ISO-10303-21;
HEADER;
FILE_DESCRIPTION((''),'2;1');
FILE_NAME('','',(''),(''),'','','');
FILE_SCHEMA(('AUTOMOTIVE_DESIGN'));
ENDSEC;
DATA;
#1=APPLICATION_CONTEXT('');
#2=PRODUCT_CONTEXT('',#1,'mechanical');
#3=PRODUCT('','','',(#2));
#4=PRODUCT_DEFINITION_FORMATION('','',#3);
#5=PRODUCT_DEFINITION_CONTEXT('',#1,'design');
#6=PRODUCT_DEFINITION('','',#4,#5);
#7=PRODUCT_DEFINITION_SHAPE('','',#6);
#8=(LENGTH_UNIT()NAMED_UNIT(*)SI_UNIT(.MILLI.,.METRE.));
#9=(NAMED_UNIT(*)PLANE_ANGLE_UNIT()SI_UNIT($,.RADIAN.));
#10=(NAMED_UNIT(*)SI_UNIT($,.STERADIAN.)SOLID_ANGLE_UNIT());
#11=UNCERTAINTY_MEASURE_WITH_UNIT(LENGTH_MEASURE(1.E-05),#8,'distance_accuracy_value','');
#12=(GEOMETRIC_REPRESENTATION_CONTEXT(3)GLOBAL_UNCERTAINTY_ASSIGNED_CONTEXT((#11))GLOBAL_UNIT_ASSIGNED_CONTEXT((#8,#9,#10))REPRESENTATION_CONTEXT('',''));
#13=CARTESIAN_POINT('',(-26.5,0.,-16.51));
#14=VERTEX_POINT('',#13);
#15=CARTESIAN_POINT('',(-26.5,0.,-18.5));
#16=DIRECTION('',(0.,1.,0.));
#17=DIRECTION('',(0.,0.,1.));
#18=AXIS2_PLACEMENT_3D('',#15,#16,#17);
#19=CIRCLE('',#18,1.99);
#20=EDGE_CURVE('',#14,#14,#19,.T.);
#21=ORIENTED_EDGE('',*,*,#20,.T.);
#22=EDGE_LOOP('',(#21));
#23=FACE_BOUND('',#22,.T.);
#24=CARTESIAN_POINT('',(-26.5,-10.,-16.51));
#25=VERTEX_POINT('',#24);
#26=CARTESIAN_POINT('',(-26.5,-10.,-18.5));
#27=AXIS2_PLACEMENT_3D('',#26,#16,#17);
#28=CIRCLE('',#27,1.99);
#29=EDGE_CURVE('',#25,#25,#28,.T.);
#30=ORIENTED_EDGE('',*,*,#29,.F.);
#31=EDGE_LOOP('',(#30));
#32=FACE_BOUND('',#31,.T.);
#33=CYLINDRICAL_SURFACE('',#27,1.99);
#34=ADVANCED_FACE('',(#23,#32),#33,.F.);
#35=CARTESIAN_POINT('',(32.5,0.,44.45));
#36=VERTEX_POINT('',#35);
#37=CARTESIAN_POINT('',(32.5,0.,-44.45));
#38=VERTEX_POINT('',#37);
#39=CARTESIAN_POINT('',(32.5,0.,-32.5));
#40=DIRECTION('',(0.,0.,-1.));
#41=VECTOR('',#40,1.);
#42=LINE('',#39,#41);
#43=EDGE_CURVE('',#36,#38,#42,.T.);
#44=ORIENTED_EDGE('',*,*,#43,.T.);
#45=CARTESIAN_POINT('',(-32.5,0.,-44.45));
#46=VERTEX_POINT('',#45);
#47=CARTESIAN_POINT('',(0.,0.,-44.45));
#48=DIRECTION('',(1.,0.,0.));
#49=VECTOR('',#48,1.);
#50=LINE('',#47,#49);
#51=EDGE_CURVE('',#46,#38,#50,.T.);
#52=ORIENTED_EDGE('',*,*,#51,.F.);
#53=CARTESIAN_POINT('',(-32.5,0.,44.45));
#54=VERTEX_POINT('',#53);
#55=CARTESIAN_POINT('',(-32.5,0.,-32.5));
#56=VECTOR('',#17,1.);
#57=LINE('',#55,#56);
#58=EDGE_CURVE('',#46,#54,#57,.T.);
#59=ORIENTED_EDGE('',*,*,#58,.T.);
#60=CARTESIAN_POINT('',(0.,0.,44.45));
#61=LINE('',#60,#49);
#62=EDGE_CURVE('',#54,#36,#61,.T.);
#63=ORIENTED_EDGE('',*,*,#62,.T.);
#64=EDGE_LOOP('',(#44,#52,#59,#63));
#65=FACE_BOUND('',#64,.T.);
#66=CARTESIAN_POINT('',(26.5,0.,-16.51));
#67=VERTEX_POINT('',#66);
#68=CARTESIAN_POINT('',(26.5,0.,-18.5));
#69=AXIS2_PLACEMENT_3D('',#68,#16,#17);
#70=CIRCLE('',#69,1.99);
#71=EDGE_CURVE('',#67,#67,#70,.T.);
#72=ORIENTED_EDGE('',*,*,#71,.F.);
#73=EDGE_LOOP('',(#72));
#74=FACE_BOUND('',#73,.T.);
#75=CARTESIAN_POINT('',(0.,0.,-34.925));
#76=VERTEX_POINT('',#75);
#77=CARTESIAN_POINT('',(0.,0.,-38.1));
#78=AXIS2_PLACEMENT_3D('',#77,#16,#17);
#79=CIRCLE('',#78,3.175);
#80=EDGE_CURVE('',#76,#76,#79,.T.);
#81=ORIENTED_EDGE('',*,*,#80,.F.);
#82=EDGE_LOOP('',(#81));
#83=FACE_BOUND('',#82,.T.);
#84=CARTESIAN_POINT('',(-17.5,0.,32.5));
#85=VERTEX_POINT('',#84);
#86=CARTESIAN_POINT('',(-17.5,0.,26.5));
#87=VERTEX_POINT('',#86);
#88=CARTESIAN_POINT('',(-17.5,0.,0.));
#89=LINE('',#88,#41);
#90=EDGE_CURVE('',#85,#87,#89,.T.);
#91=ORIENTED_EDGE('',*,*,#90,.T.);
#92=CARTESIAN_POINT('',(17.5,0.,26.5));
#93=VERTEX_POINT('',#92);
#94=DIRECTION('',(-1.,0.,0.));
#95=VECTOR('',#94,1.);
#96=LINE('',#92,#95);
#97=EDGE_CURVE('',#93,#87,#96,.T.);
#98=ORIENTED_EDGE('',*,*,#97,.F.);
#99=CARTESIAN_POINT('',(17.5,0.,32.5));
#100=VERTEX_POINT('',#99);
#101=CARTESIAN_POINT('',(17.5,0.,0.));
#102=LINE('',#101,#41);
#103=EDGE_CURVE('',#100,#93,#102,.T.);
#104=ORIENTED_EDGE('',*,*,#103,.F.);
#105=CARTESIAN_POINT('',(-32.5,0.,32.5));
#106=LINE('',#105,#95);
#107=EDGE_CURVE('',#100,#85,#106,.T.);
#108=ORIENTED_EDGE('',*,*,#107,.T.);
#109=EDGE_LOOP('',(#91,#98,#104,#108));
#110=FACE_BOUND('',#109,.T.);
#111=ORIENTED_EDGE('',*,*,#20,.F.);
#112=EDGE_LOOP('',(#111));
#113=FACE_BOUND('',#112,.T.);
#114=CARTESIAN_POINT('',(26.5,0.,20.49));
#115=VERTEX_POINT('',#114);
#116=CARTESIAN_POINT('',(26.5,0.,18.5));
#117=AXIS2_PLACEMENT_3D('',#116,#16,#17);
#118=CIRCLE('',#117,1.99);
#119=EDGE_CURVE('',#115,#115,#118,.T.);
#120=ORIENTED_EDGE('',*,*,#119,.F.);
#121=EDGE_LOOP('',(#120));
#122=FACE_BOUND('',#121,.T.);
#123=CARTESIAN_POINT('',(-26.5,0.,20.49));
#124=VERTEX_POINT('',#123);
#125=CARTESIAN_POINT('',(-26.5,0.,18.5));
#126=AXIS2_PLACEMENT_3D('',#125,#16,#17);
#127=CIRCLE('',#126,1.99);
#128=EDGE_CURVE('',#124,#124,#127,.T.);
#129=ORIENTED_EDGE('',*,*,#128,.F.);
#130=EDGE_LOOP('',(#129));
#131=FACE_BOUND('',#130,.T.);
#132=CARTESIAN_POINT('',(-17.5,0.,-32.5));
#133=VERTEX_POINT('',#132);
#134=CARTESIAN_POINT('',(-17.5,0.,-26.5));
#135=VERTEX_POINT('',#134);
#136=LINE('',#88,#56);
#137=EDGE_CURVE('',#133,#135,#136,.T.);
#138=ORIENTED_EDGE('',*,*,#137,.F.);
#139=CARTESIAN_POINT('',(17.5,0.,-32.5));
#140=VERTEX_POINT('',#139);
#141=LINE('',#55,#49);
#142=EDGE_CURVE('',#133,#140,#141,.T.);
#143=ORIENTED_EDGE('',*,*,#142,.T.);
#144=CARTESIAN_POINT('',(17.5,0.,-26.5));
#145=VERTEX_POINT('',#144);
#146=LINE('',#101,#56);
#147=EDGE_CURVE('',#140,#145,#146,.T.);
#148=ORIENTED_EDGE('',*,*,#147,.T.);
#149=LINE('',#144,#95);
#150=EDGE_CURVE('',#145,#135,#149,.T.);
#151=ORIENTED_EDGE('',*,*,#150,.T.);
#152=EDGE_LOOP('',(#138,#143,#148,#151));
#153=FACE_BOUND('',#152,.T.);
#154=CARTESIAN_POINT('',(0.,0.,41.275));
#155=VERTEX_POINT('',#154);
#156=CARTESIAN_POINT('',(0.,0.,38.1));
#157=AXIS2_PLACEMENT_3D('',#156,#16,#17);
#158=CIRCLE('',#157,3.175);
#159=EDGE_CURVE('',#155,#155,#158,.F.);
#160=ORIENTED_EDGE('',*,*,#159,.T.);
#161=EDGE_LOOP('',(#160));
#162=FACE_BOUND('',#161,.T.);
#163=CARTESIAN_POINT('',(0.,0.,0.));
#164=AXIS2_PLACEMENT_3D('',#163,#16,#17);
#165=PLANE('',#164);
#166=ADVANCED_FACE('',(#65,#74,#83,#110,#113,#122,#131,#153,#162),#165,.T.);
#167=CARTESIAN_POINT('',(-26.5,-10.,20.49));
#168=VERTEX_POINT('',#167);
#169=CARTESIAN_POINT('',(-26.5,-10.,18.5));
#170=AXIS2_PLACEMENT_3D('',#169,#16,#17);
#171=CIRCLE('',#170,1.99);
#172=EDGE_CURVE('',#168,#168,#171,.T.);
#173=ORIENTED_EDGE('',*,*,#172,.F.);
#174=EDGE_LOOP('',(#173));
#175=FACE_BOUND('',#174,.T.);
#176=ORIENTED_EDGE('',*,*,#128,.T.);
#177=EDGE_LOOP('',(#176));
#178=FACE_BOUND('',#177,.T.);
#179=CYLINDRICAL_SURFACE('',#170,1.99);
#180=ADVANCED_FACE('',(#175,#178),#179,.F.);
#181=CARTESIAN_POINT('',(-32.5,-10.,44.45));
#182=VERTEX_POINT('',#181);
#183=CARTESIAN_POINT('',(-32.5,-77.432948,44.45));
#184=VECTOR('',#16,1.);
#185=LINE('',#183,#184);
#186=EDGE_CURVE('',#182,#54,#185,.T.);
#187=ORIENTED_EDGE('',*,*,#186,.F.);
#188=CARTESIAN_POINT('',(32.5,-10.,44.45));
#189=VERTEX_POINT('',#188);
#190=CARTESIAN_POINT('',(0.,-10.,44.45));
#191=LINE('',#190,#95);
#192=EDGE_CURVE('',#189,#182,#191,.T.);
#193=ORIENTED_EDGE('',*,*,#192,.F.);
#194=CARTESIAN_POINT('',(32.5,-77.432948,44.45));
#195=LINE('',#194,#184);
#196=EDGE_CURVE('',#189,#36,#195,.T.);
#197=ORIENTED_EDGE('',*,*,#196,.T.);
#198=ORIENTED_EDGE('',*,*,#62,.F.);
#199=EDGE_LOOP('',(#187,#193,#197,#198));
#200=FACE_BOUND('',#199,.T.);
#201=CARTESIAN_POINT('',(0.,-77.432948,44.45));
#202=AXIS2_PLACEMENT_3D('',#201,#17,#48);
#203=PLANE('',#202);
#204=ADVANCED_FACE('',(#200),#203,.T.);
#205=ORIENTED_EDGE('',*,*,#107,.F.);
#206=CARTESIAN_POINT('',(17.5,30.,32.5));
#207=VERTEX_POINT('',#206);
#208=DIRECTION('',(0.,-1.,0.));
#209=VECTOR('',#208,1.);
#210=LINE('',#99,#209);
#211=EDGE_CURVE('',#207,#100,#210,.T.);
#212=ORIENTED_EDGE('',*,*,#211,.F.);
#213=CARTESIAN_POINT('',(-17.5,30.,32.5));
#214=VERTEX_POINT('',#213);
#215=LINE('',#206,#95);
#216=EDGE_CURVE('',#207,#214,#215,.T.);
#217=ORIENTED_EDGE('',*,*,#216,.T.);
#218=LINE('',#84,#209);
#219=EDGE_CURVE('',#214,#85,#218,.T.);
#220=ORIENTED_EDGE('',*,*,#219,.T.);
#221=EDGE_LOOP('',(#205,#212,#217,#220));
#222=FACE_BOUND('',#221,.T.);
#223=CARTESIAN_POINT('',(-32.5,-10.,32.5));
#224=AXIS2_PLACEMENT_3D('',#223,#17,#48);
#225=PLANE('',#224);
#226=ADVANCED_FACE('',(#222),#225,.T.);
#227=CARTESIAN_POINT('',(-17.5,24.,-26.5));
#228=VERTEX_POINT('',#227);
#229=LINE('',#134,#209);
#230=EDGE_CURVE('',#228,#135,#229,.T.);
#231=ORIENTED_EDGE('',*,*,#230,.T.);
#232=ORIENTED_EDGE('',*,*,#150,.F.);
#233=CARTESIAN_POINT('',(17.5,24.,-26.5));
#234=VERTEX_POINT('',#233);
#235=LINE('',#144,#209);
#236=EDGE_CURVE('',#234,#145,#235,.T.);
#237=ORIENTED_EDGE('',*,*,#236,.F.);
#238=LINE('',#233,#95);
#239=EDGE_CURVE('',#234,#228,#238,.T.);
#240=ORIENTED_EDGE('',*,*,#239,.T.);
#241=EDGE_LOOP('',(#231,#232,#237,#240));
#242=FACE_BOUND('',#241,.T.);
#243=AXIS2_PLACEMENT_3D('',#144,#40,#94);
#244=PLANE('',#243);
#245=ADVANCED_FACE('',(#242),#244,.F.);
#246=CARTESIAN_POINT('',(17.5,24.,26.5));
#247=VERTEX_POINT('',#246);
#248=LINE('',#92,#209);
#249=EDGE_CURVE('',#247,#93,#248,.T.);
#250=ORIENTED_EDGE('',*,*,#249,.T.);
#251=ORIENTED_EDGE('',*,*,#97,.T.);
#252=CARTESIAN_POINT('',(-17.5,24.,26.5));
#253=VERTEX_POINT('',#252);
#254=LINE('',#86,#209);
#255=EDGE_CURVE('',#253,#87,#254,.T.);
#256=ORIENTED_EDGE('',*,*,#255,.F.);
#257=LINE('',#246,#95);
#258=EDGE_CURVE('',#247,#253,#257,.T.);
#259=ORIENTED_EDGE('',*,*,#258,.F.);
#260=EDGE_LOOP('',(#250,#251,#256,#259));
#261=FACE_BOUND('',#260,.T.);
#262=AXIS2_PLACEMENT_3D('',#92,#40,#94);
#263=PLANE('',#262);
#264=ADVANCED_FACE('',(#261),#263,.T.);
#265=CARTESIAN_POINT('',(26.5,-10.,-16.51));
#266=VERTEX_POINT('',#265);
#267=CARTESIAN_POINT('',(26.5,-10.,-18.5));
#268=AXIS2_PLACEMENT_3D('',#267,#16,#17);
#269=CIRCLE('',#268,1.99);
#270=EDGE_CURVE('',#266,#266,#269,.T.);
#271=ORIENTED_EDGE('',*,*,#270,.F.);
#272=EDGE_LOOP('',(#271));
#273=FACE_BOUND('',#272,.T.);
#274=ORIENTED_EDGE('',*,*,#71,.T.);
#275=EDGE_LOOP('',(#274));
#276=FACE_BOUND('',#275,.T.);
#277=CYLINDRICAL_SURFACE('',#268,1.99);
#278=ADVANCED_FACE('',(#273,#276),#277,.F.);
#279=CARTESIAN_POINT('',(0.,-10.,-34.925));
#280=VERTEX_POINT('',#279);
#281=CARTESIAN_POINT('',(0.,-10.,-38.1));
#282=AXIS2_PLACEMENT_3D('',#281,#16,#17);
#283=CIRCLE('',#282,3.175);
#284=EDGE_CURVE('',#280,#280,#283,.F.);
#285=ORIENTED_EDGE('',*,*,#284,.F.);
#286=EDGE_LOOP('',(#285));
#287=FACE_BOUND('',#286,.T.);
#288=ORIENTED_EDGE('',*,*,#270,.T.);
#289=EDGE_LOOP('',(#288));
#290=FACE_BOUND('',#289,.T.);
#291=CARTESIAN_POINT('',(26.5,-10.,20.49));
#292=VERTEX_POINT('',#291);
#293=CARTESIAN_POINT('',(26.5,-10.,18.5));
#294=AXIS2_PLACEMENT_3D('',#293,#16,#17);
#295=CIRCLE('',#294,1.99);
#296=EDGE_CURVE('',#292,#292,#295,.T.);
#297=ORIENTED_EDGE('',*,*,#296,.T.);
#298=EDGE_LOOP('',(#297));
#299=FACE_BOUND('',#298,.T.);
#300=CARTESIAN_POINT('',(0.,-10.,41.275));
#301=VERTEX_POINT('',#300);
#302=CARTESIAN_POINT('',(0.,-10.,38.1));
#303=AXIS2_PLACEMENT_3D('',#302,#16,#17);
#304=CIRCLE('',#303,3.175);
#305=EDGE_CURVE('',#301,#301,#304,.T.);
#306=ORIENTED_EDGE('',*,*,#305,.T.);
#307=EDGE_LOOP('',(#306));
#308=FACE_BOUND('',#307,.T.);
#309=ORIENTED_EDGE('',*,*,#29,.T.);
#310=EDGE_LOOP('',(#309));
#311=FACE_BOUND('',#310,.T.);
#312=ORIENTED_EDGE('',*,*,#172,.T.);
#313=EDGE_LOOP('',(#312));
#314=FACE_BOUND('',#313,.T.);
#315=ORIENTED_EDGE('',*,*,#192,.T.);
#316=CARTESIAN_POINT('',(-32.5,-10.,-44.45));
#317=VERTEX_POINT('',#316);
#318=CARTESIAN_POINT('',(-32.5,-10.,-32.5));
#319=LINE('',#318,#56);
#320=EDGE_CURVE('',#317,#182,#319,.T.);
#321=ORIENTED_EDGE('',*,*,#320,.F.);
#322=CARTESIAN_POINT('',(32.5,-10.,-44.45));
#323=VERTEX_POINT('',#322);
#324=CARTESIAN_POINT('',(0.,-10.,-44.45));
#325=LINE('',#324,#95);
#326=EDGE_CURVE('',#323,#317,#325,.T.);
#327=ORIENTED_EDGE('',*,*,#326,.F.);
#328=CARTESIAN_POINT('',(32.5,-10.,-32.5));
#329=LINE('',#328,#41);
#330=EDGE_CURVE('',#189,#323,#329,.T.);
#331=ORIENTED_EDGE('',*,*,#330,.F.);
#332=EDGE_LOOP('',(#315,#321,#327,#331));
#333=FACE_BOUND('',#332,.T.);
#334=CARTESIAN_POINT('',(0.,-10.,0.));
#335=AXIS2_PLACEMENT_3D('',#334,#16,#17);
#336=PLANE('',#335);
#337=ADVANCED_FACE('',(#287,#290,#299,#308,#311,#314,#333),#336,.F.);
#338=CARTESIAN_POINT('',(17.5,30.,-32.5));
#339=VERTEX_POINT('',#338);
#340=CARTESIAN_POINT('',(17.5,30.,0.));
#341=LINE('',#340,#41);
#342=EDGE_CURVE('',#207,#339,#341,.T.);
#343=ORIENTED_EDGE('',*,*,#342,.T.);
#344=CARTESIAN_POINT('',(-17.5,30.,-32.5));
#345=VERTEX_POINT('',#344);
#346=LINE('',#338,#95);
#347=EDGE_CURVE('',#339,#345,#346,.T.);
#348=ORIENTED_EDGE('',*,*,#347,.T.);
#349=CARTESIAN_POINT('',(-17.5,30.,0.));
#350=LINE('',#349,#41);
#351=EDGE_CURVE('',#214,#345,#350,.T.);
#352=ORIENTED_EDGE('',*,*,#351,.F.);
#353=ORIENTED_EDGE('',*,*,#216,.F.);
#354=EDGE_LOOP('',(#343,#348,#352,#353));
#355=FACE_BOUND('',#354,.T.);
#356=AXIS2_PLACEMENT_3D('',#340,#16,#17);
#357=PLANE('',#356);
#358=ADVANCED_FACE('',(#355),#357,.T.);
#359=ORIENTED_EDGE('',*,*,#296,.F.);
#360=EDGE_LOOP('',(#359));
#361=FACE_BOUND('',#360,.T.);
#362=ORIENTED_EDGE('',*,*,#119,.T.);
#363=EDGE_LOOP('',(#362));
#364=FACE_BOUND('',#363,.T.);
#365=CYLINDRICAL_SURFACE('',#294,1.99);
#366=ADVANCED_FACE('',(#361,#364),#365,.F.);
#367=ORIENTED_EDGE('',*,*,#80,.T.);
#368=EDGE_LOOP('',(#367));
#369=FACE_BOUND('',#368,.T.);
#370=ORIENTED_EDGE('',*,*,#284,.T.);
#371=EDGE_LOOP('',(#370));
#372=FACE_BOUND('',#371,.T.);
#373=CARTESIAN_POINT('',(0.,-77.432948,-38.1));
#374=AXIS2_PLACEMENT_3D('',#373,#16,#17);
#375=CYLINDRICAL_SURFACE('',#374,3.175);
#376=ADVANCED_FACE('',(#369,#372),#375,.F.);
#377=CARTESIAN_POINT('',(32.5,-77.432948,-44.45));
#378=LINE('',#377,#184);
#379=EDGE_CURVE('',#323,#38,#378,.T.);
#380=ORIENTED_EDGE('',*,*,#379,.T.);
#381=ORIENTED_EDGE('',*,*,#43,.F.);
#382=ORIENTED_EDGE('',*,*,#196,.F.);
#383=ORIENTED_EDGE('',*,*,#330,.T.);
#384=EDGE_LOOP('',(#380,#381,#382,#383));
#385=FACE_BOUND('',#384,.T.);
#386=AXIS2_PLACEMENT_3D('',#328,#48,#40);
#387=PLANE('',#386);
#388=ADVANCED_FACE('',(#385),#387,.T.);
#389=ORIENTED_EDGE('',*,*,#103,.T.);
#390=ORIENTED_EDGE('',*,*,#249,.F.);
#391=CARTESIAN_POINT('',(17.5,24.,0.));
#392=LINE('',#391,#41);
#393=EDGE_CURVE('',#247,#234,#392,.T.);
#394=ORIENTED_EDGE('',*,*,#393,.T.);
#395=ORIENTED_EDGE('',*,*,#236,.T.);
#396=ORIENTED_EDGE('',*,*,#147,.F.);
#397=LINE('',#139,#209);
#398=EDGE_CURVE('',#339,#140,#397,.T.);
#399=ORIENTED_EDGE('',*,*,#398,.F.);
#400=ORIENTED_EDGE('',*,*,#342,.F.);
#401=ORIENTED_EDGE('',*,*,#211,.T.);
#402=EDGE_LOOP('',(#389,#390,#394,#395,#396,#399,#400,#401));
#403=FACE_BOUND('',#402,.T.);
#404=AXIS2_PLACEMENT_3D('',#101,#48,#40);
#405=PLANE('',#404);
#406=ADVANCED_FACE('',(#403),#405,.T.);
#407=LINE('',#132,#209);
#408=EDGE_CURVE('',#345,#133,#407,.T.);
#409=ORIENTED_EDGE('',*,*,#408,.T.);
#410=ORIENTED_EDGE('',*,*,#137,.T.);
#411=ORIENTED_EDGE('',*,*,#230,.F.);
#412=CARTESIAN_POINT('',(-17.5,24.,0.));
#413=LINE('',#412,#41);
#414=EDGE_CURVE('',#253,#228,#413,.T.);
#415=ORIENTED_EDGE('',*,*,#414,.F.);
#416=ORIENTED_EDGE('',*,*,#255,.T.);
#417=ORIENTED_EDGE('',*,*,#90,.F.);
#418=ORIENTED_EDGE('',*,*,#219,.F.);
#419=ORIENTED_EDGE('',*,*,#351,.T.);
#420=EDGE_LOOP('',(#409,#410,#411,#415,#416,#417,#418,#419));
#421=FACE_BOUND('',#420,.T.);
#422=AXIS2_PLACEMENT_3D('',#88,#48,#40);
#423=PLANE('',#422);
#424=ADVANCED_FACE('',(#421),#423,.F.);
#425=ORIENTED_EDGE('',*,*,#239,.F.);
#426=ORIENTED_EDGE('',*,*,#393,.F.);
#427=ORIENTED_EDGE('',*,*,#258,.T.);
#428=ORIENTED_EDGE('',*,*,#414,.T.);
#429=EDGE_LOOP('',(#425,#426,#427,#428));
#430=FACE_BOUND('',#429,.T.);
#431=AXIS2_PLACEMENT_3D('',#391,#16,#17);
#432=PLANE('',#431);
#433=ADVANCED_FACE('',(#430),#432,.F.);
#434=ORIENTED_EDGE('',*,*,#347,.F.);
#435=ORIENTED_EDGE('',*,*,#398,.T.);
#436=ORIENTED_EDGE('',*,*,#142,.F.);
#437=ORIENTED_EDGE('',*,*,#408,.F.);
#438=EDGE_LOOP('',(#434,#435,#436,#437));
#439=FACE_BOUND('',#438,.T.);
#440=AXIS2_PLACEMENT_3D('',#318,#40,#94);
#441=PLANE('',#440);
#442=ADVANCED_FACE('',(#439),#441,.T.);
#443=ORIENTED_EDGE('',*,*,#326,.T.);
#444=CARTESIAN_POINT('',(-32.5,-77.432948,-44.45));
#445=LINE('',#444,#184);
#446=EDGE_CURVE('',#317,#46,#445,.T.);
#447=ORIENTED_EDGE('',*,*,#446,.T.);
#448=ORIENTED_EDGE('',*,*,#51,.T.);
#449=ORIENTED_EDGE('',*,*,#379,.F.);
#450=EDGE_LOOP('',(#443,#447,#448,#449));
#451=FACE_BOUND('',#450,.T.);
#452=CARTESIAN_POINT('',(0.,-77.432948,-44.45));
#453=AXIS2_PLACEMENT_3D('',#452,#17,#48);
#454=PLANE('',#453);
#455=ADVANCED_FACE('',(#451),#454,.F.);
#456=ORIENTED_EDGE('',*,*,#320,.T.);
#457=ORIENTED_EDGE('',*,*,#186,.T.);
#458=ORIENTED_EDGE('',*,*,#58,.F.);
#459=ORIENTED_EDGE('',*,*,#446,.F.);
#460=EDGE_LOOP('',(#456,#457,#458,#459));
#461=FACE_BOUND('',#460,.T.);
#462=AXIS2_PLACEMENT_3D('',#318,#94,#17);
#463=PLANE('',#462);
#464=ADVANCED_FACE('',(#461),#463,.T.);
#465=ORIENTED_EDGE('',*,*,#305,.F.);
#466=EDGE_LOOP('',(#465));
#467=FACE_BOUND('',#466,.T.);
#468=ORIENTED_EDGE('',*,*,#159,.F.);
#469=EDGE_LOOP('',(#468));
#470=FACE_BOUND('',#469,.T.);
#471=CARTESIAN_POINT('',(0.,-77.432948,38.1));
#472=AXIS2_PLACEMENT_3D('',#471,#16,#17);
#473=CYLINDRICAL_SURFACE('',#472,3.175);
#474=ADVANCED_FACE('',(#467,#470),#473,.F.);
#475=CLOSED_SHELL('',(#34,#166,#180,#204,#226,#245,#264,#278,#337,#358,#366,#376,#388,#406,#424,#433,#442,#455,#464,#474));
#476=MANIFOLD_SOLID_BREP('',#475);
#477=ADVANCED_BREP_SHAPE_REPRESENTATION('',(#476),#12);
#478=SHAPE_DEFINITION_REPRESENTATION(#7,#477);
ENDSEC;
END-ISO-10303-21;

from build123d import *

# Parameters (mm, degrees)
SKETCH2_W           = 65
SKETCH2_H           = 65
BOSS_EXTRUDE1_DEPTH = 10
SKETCH3_W           = 65
SKETCH3_H           = 6
SKETCH3_W_2         = 6
SKETCH3_H_2         = 24
BOSS_EXTRUDE2_DEPTH = 17.5
SKETCH4_R           = 3.175
BOSS_EXTRUDE3_DEPTH = 10
SKETCH5_R           = 1.99
CUT_EXTRUDE1_DEPTH  = 63.706080247


with BuildPart() as part:
    # Sketch2 → Boss-Extrude1 (new body)
    with BuildSketch(Plane(origin=(0, 0, 0), x_dir=(1, 0, 0), z_dir=(0, 1, 0))):
        Rectangle(SKETCH2_W, SKETCH2_H)
    extrude(amount=-BOSS_EXTRUDE1_DEPTH)

    # Sketch3 → Boss-Extrude2 (add, symmetric)
    with BuildSketch(Plane(origin=(0, 0, 0), x_dir=(0, 0, -1), z_dir=(1, 0, 0))):
        with Locations((0, 27)):
            Rectangle(SKETCH3_W, SKETCH3_H)
        with Locations((29.5, 12)):
            Rectangle(SKETCH3_W_2, SKETCH3_H_2)
        with Locations((-29.5, 12)):
            Rectangle(SKETCH3_W_2, SKETCH3_H_2)
    extrude(amount=BOSS_EXTRUDE2_DEPTH, both=True)

    # Sketch4 → Boss-Extrude3 (add)
    # profile 1 of 2: a face of its own
    with BuildSketch(Plane(origin=(0, 0, 0), x_dir=(1, 0, 0), z_dir=(0, 1, 0))):
        Polygon((32.5, 44.45), (-32.5, 44.45), (-32.5, 32.5), (-17.5, 32.5), (-17.5, 26.5), (17.5, 26.5), (17.5, 32.5), (32.5, 32.5), align=None)
        with Locations(Location((0, 38.1, 0), (0, 0, 270))):
            Circle(SKETCH4_R, mode=Mode.SUBTRACT)
    # profile 2 of 2: a face of its own
    with BuildSketch(Plane(origin=(0, 0, 0), x_dir=(1, 0, 0), z_dir=(0, 1, 0))):
        Polygon((-17.5, -32.5), (-32.5, -32.5), (-32.5, -44.45), (32.5, -44.45), (32.5, -32.5), (17.5, -32.5), (17.5, -26.5), (-17.5, -26.5), align=None)
        with Locations(Location((0, -38.1, 0), (0, 0, 270))):
            Circle(SKETCH4_R, mode=Mode.SUBTRACT)
    extrude(amount=-BOSS_EXTRUDE3_DEPTH)

    # Sketch5 → Cut-Extrude1 (cut, through all)
    with BuildSketch(Plane(origin=(0, 0, 0), x_dir=(1, 0, 0), z_dir=(0, 1, 0))):
        with Locations(Location((-26.5, 18.5, 0), (0, 0, 270))):
            Circle(SKETCH5_R)
        with Locations(Location((26.5, 18.5, 0), (0, 0, 270))):
            Circle(SKETCH5_R)
        with Locations(Location((26.5, -18.5, 0), (0, 0, 270))):
            Circle(SKETCH5_R)
        with Locations(Location((-26.5, -18.5, 0), (0, 0, 270))):
            Circle(SKETCH5_R)
    extrude(amount=-CUT_EXTRUDE1_DEPTH, mode=Mode.SUBTRACT)


solid = part.part
